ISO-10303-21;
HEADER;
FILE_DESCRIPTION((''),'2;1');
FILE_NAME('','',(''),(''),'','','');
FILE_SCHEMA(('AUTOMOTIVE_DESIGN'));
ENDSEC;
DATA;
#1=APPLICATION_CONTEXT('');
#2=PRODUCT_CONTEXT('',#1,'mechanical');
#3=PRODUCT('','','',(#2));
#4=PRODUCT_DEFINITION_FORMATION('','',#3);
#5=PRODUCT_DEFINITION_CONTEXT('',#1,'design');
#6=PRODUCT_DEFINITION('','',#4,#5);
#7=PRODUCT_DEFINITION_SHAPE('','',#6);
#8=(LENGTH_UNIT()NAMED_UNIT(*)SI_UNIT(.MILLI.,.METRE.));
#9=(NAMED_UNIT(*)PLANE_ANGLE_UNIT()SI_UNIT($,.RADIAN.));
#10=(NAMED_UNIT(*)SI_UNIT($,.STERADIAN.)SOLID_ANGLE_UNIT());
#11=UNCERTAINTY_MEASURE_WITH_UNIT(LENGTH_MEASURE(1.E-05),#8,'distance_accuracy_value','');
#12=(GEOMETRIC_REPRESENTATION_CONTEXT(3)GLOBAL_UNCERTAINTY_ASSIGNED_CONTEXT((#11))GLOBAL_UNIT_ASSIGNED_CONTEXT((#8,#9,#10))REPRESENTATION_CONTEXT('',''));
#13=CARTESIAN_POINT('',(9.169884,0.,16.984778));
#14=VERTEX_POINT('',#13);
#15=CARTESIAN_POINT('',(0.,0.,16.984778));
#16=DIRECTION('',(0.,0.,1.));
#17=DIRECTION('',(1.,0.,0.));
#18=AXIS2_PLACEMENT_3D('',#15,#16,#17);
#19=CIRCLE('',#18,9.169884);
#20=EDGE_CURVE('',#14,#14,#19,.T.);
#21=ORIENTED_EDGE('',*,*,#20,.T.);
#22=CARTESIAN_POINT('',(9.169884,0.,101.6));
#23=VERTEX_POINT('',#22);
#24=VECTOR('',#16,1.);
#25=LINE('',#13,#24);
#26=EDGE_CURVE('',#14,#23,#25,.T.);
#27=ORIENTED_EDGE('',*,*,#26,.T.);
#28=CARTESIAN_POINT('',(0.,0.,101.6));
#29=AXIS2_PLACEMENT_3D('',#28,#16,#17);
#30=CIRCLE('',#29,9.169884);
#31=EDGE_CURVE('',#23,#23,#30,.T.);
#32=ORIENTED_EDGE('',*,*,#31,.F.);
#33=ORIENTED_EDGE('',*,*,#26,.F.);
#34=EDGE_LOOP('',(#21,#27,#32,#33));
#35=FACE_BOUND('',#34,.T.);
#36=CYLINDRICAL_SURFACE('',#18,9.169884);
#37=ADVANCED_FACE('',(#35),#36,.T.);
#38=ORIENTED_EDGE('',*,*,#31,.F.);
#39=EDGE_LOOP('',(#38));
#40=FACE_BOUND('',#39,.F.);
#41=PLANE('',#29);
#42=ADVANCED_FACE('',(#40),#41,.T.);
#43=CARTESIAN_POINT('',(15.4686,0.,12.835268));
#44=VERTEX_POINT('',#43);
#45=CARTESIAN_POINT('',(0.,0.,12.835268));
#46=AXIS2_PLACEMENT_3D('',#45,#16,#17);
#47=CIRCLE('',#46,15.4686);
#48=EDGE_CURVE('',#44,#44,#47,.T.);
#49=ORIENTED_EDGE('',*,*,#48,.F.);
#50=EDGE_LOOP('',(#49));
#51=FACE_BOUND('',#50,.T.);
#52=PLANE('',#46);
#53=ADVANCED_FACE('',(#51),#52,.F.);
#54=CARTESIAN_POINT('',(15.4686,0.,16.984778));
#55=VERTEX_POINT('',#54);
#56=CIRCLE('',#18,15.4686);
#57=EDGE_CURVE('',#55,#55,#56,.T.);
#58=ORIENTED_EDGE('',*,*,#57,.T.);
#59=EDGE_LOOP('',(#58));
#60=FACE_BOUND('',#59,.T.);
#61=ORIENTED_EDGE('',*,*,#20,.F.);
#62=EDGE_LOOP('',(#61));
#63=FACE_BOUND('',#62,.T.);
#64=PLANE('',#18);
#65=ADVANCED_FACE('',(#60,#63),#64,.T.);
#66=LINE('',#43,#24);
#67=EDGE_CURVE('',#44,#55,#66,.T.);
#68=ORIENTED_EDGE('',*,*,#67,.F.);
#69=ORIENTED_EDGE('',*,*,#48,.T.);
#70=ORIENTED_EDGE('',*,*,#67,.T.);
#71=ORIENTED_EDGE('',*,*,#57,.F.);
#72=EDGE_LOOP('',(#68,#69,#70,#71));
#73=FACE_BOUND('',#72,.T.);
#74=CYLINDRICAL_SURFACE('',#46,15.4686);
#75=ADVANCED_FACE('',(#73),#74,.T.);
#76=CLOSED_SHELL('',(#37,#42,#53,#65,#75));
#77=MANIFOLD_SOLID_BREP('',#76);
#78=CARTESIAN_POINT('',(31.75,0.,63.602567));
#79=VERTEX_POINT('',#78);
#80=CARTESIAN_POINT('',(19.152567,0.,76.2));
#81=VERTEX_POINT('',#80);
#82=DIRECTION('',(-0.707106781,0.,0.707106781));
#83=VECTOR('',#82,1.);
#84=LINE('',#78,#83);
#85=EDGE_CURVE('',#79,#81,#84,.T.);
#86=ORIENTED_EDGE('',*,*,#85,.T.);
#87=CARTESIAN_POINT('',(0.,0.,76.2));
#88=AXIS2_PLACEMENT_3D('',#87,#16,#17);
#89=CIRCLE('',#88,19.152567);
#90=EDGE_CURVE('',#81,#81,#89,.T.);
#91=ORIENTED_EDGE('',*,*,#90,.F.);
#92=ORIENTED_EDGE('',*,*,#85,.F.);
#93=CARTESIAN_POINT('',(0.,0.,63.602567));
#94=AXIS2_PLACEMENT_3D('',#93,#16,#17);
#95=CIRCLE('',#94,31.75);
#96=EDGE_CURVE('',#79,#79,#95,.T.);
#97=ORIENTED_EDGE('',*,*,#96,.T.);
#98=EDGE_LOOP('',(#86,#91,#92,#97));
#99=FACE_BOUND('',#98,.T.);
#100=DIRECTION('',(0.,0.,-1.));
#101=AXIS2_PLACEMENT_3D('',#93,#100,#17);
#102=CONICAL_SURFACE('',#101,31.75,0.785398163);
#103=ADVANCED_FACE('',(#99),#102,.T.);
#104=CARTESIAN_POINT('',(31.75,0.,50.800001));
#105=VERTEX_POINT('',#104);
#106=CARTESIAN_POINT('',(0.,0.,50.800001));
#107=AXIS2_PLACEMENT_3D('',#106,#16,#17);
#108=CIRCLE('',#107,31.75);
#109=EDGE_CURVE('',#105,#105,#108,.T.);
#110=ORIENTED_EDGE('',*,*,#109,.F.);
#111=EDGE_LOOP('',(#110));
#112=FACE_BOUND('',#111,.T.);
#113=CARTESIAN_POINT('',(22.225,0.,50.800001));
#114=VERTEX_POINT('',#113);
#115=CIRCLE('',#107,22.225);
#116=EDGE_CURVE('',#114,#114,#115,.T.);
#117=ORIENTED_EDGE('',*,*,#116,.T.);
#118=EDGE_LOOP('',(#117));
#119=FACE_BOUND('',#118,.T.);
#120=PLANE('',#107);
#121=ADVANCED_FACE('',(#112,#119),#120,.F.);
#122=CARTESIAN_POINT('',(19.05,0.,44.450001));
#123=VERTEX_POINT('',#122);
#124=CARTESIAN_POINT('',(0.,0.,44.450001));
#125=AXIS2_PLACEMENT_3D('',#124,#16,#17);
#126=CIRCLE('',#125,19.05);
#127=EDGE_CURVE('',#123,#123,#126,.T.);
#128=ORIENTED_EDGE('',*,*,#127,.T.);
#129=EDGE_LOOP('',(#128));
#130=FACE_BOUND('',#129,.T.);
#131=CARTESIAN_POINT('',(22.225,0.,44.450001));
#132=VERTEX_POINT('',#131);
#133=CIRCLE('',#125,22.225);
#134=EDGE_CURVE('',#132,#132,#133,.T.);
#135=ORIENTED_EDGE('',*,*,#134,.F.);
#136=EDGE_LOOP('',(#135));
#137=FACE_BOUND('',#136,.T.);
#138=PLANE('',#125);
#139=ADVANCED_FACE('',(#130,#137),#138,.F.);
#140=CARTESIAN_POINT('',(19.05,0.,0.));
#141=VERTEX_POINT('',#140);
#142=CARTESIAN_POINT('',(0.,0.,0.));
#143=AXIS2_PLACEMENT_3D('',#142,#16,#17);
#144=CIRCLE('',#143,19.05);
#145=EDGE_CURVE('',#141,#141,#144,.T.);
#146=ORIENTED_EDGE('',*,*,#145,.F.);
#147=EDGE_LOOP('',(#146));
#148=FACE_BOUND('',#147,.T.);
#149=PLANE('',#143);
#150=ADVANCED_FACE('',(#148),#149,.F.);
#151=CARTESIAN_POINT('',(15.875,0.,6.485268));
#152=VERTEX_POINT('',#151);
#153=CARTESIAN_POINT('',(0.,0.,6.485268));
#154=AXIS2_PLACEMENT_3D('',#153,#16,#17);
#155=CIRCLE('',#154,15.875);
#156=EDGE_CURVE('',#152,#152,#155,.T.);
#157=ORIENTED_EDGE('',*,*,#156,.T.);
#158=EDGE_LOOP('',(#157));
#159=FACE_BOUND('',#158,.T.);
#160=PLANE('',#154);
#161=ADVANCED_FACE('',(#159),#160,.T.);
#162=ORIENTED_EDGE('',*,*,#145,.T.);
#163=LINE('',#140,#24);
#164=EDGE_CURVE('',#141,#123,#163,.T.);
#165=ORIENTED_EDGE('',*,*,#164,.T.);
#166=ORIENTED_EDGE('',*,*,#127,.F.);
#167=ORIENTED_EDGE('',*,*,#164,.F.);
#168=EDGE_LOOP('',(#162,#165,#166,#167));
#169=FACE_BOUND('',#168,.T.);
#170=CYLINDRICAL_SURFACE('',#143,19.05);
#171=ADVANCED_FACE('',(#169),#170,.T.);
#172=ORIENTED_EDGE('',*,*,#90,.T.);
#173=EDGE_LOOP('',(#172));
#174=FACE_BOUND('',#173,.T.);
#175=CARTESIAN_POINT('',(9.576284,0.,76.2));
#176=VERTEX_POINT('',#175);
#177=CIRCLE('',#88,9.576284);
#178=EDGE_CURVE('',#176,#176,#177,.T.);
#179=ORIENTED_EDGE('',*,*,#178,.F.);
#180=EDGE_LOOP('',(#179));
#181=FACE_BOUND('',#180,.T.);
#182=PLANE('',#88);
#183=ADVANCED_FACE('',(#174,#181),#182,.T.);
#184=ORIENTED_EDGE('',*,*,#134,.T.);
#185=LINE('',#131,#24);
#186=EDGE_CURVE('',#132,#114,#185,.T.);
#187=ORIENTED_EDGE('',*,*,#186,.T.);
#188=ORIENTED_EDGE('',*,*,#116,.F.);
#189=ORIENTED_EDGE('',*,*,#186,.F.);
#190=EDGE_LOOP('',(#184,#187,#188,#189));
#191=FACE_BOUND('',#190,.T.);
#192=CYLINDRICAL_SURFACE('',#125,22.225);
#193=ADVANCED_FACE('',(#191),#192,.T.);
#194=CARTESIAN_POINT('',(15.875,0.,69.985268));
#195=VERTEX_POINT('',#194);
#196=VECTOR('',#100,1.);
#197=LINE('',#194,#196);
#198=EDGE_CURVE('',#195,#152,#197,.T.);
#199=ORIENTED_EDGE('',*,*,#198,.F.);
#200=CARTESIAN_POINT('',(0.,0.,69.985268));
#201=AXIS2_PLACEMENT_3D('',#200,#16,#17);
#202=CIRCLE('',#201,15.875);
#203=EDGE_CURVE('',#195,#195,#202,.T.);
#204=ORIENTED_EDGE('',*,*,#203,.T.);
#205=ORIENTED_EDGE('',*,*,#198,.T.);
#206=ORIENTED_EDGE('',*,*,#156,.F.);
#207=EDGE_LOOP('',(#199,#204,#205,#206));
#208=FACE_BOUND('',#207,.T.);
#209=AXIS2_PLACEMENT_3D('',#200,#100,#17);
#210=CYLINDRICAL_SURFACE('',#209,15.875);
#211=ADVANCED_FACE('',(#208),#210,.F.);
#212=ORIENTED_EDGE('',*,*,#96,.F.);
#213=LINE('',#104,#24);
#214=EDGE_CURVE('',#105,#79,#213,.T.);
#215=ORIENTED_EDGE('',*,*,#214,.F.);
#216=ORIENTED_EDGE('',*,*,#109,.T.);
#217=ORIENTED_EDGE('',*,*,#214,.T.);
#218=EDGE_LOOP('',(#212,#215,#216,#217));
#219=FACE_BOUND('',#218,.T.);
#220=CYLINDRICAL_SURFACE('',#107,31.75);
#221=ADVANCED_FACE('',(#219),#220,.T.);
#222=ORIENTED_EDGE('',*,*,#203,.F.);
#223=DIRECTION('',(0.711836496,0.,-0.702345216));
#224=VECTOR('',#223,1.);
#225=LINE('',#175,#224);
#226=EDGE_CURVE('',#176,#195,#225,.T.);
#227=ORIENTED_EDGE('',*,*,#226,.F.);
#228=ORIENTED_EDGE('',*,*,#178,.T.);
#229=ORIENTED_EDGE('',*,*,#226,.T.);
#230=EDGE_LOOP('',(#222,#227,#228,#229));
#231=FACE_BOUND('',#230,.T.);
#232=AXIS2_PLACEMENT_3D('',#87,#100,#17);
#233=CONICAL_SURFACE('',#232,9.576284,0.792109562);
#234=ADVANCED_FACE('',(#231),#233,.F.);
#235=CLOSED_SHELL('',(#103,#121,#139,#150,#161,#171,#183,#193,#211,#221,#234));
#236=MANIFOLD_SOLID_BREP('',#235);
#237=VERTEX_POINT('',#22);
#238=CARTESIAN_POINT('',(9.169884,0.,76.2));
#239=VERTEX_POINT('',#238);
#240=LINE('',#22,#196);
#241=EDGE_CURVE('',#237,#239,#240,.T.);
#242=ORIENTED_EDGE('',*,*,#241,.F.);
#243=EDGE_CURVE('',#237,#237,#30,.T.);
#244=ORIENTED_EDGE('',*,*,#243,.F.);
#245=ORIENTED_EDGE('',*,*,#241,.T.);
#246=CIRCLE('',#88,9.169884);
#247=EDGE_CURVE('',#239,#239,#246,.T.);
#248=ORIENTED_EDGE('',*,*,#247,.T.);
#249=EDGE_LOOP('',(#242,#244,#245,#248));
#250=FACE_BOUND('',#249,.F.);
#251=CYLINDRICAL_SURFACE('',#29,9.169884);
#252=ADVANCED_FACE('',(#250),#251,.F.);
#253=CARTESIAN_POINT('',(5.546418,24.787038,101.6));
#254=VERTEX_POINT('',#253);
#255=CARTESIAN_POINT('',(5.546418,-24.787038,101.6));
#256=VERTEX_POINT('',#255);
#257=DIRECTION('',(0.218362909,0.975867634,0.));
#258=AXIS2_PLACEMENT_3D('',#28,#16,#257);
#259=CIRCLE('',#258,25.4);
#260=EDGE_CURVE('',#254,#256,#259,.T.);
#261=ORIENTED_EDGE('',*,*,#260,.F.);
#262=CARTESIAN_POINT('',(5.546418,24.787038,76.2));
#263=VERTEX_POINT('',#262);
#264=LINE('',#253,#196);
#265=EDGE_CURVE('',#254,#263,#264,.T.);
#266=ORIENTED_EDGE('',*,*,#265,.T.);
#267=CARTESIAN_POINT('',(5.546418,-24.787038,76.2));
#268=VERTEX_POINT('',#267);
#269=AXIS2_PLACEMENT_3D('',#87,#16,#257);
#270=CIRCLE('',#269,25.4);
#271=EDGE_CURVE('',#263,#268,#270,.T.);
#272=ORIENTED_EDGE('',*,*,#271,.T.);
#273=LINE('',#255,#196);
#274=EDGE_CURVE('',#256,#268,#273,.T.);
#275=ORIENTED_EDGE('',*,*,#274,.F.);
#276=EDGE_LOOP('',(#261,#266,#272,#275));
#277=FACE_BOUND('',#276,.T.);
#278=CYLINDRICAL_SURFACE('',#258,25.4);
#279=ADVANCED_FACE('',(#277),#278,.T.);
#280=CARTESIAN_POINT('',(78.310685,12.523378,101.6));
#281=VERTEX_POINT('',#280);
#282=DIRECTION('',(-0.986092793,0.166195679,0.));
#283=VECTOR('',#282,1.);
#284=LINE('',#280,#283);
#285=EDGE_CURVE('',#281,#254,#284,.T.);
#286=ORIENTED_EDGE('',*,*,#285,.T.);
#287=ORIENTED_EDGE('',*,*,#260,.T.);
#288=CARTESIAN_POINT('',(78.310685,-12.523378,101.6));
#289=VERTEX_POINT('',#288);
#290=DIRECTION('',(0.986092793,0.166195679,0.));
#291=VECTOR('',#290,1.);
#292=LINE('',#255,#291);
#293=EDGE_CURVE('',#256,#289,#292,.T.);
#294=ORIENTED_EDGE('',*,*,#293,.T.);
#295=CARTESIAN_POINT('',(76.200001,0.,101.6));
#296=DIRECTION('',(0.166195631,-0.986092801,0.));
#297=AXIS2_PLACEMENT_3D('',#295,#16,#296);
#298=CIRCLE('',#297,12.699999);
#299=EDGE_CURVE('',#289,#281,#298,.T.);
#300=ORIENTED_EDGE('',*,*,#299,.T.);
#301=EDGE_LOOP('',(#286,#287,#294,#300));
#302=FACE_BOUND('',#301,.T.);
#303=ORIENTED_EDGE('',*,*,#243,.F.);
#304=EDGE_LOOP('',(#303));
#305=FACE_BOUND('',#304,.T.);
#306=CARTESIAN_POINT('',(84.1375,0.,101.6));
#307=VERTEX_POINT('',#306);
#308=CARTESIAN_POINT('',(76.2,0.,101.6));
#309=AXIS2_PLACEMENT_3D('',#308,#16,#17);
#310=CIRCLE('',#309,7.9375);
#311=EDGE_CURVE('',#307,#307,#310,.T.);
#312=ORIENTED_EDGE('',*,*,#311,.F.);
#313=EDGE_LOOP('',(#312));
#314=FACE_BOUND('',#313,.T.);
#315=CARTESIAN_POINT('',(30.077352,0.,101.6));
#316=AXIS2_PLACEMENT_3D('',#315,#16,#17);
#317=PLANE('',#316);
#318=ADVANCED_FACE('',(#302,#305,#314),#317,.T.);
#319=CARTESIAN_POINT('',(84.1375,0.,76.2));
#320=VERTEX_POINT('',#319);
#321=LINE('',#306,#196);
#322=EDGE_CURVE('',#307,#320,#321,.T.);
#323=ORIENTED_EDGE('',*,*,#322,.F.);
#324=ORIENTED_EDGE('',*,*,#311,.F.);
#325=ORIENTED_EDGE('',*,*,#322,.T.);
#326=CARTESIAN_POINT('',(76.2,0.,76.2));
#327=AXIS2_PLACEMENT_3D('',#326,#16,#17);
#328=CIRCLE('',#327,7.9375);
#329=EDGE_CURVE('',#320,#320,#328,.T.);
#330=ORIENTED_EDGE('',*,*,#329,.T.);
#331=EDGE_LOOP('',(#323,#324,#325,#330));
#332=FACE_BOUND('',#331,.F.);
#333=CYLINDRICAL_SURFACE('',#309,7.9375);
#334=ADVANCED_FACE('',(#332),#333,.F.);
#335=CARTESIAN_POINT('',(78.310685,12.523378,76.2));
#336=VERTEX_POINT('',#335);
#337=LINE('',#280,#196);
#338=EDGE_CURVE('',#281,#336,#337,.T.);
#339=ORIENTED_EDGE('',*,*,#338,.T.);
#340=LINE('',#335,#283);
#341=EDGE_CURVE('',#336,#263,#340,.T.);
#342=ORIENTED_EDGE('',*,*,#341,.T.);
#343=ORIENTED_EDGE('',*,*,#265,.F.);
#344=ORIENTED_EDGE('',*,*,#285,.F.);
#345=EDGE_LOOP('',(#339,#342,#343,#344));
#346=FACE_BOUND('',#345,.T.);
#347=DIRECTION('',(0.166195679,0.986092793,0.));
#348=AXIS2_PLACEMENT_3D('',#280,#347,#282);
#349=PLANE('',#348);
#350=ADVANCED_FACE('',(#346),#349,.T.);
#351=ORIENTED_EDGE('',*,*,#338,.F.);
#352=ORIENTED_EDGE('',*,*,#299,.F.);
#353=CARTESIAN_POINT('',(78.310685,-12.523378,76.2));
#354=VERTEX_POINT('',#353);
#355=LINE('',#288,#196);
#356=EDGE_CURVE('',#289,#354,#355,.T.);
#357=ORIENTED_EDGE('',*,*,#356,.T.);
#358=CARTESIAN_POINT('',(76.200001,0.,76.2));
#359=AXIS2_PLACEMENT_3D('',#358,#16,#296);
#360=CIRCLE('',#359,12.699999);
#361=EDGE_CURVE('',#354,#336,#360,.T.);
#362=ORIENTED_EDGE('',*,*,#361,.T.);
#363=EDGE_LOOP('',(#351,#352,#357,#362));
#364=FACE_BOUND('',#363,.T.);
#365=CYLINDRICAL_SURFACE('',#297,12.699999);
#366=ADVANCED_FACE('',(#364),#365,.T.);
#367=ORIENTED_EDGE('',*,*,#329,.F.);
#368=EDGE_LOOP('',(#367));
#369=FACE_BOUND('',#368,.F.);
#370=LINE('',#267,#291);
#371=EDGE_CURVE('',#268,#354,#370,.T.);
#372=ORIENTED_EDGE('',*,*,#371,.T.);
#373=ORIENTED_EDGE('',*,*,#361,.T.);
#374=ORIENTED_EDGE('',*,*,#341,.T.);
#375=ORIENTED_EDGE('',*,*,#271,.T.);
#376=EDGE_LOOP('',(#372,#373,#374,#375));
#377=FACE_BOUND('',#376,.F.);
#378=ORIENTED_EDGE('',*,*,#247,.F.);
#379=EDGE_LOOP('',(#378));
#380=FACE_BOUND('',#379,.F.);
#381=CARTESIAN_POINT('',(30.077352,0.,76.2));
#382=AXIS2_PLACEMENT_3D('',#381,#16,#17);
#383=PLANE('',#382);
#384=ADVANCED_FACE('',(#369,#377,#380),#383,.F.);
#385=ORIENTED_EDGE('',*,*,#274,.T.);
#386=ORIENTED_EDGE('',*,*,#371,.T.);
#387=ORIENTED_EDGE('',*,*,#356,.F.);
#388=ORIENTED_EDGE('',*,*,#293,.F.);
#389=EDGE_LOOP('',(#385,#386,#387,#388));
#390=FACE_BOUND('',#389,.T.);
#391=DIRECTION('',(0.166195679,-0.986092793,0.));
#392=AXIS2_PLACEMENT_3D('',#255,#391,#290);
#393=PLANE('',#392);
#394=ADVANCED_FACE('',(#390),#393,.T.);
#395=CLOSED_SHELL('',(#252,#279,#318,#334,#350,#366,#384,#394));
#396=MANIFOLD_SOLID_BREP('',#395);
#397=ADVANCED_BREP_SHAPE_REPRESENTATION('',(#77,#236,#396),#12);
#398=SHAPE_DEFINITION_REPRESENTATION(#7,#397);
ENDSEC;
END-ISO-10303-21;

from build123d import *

# Parameters (mm, degrees)
F0_W     = 9.169884
F0_H     = 25.4
F3_R     = 9.169884
F3_R_2   = 7.9375
F4_DEPTH = 25.4


with BuildPart() as f1:
    # F0 (on Front) → F1 (revolve)
    with BuildSketch(Plane.XZ):
        Polygon((19.152567, 76.2), (9.576284, 76.2), (15.875, 69.985268), (15.875, 6.485268), (0, 6.485268), (0, 0), (19.05, 0), (19.05, 44.450001), (22.225, 44.450001), (22.225, 50.800001), (31.75, 50.800001), (31.75, 63.602567), align=None)
    revolve(axis=Axis((0, 0, 82.310471), (0, 0, 1)))


with BuildPart() as f2:
    # F0 (on Front) → F2 (revolve)
    with BuildSketch(Plane.XZ):
        Polygon((9.169884, 16.984778), (9.169884, 76.2), (0, 76.2), (0, 12.835268), (15.4686, 12.835268), (15.4686, 16.984778), align=None)
        with Locations((4.584942, 88.9)):
            Rectangle(F0_W, F0_H)
    revolve(axis=Axis((0, 0, 104.282323), (0, 0, 1)))


with BuildPart() as f4:
    # F3 (on face) → F4 (new body, through all)
    with BuildSketch(Plane.XY.offset(101.6)):
        with BuildLine():
            Line((78.310685, 12.523378), (5.546418, 24.787038))
            ThreePointArc((5.546418, 24.787038), (-25.4, 0), (5.546418, -24.787038))
            Line((5.546418, -24.787038), (78.310685, -12.523378))
            ThreePointArc((78.310685, -12.523378), (88.9, 0), (78.310685, 12.523378))
        make_face()
        Circle(F3_R, mode=Mode.SUBTRACT)
        with Locations((76.2, 0)):
            Circle(F3_R_2, mode=Mode.SUBTRACT)
    extrude(amount=-F4_DEPTH)


solid = Compound([f1.part, f2.part, f4.part])
